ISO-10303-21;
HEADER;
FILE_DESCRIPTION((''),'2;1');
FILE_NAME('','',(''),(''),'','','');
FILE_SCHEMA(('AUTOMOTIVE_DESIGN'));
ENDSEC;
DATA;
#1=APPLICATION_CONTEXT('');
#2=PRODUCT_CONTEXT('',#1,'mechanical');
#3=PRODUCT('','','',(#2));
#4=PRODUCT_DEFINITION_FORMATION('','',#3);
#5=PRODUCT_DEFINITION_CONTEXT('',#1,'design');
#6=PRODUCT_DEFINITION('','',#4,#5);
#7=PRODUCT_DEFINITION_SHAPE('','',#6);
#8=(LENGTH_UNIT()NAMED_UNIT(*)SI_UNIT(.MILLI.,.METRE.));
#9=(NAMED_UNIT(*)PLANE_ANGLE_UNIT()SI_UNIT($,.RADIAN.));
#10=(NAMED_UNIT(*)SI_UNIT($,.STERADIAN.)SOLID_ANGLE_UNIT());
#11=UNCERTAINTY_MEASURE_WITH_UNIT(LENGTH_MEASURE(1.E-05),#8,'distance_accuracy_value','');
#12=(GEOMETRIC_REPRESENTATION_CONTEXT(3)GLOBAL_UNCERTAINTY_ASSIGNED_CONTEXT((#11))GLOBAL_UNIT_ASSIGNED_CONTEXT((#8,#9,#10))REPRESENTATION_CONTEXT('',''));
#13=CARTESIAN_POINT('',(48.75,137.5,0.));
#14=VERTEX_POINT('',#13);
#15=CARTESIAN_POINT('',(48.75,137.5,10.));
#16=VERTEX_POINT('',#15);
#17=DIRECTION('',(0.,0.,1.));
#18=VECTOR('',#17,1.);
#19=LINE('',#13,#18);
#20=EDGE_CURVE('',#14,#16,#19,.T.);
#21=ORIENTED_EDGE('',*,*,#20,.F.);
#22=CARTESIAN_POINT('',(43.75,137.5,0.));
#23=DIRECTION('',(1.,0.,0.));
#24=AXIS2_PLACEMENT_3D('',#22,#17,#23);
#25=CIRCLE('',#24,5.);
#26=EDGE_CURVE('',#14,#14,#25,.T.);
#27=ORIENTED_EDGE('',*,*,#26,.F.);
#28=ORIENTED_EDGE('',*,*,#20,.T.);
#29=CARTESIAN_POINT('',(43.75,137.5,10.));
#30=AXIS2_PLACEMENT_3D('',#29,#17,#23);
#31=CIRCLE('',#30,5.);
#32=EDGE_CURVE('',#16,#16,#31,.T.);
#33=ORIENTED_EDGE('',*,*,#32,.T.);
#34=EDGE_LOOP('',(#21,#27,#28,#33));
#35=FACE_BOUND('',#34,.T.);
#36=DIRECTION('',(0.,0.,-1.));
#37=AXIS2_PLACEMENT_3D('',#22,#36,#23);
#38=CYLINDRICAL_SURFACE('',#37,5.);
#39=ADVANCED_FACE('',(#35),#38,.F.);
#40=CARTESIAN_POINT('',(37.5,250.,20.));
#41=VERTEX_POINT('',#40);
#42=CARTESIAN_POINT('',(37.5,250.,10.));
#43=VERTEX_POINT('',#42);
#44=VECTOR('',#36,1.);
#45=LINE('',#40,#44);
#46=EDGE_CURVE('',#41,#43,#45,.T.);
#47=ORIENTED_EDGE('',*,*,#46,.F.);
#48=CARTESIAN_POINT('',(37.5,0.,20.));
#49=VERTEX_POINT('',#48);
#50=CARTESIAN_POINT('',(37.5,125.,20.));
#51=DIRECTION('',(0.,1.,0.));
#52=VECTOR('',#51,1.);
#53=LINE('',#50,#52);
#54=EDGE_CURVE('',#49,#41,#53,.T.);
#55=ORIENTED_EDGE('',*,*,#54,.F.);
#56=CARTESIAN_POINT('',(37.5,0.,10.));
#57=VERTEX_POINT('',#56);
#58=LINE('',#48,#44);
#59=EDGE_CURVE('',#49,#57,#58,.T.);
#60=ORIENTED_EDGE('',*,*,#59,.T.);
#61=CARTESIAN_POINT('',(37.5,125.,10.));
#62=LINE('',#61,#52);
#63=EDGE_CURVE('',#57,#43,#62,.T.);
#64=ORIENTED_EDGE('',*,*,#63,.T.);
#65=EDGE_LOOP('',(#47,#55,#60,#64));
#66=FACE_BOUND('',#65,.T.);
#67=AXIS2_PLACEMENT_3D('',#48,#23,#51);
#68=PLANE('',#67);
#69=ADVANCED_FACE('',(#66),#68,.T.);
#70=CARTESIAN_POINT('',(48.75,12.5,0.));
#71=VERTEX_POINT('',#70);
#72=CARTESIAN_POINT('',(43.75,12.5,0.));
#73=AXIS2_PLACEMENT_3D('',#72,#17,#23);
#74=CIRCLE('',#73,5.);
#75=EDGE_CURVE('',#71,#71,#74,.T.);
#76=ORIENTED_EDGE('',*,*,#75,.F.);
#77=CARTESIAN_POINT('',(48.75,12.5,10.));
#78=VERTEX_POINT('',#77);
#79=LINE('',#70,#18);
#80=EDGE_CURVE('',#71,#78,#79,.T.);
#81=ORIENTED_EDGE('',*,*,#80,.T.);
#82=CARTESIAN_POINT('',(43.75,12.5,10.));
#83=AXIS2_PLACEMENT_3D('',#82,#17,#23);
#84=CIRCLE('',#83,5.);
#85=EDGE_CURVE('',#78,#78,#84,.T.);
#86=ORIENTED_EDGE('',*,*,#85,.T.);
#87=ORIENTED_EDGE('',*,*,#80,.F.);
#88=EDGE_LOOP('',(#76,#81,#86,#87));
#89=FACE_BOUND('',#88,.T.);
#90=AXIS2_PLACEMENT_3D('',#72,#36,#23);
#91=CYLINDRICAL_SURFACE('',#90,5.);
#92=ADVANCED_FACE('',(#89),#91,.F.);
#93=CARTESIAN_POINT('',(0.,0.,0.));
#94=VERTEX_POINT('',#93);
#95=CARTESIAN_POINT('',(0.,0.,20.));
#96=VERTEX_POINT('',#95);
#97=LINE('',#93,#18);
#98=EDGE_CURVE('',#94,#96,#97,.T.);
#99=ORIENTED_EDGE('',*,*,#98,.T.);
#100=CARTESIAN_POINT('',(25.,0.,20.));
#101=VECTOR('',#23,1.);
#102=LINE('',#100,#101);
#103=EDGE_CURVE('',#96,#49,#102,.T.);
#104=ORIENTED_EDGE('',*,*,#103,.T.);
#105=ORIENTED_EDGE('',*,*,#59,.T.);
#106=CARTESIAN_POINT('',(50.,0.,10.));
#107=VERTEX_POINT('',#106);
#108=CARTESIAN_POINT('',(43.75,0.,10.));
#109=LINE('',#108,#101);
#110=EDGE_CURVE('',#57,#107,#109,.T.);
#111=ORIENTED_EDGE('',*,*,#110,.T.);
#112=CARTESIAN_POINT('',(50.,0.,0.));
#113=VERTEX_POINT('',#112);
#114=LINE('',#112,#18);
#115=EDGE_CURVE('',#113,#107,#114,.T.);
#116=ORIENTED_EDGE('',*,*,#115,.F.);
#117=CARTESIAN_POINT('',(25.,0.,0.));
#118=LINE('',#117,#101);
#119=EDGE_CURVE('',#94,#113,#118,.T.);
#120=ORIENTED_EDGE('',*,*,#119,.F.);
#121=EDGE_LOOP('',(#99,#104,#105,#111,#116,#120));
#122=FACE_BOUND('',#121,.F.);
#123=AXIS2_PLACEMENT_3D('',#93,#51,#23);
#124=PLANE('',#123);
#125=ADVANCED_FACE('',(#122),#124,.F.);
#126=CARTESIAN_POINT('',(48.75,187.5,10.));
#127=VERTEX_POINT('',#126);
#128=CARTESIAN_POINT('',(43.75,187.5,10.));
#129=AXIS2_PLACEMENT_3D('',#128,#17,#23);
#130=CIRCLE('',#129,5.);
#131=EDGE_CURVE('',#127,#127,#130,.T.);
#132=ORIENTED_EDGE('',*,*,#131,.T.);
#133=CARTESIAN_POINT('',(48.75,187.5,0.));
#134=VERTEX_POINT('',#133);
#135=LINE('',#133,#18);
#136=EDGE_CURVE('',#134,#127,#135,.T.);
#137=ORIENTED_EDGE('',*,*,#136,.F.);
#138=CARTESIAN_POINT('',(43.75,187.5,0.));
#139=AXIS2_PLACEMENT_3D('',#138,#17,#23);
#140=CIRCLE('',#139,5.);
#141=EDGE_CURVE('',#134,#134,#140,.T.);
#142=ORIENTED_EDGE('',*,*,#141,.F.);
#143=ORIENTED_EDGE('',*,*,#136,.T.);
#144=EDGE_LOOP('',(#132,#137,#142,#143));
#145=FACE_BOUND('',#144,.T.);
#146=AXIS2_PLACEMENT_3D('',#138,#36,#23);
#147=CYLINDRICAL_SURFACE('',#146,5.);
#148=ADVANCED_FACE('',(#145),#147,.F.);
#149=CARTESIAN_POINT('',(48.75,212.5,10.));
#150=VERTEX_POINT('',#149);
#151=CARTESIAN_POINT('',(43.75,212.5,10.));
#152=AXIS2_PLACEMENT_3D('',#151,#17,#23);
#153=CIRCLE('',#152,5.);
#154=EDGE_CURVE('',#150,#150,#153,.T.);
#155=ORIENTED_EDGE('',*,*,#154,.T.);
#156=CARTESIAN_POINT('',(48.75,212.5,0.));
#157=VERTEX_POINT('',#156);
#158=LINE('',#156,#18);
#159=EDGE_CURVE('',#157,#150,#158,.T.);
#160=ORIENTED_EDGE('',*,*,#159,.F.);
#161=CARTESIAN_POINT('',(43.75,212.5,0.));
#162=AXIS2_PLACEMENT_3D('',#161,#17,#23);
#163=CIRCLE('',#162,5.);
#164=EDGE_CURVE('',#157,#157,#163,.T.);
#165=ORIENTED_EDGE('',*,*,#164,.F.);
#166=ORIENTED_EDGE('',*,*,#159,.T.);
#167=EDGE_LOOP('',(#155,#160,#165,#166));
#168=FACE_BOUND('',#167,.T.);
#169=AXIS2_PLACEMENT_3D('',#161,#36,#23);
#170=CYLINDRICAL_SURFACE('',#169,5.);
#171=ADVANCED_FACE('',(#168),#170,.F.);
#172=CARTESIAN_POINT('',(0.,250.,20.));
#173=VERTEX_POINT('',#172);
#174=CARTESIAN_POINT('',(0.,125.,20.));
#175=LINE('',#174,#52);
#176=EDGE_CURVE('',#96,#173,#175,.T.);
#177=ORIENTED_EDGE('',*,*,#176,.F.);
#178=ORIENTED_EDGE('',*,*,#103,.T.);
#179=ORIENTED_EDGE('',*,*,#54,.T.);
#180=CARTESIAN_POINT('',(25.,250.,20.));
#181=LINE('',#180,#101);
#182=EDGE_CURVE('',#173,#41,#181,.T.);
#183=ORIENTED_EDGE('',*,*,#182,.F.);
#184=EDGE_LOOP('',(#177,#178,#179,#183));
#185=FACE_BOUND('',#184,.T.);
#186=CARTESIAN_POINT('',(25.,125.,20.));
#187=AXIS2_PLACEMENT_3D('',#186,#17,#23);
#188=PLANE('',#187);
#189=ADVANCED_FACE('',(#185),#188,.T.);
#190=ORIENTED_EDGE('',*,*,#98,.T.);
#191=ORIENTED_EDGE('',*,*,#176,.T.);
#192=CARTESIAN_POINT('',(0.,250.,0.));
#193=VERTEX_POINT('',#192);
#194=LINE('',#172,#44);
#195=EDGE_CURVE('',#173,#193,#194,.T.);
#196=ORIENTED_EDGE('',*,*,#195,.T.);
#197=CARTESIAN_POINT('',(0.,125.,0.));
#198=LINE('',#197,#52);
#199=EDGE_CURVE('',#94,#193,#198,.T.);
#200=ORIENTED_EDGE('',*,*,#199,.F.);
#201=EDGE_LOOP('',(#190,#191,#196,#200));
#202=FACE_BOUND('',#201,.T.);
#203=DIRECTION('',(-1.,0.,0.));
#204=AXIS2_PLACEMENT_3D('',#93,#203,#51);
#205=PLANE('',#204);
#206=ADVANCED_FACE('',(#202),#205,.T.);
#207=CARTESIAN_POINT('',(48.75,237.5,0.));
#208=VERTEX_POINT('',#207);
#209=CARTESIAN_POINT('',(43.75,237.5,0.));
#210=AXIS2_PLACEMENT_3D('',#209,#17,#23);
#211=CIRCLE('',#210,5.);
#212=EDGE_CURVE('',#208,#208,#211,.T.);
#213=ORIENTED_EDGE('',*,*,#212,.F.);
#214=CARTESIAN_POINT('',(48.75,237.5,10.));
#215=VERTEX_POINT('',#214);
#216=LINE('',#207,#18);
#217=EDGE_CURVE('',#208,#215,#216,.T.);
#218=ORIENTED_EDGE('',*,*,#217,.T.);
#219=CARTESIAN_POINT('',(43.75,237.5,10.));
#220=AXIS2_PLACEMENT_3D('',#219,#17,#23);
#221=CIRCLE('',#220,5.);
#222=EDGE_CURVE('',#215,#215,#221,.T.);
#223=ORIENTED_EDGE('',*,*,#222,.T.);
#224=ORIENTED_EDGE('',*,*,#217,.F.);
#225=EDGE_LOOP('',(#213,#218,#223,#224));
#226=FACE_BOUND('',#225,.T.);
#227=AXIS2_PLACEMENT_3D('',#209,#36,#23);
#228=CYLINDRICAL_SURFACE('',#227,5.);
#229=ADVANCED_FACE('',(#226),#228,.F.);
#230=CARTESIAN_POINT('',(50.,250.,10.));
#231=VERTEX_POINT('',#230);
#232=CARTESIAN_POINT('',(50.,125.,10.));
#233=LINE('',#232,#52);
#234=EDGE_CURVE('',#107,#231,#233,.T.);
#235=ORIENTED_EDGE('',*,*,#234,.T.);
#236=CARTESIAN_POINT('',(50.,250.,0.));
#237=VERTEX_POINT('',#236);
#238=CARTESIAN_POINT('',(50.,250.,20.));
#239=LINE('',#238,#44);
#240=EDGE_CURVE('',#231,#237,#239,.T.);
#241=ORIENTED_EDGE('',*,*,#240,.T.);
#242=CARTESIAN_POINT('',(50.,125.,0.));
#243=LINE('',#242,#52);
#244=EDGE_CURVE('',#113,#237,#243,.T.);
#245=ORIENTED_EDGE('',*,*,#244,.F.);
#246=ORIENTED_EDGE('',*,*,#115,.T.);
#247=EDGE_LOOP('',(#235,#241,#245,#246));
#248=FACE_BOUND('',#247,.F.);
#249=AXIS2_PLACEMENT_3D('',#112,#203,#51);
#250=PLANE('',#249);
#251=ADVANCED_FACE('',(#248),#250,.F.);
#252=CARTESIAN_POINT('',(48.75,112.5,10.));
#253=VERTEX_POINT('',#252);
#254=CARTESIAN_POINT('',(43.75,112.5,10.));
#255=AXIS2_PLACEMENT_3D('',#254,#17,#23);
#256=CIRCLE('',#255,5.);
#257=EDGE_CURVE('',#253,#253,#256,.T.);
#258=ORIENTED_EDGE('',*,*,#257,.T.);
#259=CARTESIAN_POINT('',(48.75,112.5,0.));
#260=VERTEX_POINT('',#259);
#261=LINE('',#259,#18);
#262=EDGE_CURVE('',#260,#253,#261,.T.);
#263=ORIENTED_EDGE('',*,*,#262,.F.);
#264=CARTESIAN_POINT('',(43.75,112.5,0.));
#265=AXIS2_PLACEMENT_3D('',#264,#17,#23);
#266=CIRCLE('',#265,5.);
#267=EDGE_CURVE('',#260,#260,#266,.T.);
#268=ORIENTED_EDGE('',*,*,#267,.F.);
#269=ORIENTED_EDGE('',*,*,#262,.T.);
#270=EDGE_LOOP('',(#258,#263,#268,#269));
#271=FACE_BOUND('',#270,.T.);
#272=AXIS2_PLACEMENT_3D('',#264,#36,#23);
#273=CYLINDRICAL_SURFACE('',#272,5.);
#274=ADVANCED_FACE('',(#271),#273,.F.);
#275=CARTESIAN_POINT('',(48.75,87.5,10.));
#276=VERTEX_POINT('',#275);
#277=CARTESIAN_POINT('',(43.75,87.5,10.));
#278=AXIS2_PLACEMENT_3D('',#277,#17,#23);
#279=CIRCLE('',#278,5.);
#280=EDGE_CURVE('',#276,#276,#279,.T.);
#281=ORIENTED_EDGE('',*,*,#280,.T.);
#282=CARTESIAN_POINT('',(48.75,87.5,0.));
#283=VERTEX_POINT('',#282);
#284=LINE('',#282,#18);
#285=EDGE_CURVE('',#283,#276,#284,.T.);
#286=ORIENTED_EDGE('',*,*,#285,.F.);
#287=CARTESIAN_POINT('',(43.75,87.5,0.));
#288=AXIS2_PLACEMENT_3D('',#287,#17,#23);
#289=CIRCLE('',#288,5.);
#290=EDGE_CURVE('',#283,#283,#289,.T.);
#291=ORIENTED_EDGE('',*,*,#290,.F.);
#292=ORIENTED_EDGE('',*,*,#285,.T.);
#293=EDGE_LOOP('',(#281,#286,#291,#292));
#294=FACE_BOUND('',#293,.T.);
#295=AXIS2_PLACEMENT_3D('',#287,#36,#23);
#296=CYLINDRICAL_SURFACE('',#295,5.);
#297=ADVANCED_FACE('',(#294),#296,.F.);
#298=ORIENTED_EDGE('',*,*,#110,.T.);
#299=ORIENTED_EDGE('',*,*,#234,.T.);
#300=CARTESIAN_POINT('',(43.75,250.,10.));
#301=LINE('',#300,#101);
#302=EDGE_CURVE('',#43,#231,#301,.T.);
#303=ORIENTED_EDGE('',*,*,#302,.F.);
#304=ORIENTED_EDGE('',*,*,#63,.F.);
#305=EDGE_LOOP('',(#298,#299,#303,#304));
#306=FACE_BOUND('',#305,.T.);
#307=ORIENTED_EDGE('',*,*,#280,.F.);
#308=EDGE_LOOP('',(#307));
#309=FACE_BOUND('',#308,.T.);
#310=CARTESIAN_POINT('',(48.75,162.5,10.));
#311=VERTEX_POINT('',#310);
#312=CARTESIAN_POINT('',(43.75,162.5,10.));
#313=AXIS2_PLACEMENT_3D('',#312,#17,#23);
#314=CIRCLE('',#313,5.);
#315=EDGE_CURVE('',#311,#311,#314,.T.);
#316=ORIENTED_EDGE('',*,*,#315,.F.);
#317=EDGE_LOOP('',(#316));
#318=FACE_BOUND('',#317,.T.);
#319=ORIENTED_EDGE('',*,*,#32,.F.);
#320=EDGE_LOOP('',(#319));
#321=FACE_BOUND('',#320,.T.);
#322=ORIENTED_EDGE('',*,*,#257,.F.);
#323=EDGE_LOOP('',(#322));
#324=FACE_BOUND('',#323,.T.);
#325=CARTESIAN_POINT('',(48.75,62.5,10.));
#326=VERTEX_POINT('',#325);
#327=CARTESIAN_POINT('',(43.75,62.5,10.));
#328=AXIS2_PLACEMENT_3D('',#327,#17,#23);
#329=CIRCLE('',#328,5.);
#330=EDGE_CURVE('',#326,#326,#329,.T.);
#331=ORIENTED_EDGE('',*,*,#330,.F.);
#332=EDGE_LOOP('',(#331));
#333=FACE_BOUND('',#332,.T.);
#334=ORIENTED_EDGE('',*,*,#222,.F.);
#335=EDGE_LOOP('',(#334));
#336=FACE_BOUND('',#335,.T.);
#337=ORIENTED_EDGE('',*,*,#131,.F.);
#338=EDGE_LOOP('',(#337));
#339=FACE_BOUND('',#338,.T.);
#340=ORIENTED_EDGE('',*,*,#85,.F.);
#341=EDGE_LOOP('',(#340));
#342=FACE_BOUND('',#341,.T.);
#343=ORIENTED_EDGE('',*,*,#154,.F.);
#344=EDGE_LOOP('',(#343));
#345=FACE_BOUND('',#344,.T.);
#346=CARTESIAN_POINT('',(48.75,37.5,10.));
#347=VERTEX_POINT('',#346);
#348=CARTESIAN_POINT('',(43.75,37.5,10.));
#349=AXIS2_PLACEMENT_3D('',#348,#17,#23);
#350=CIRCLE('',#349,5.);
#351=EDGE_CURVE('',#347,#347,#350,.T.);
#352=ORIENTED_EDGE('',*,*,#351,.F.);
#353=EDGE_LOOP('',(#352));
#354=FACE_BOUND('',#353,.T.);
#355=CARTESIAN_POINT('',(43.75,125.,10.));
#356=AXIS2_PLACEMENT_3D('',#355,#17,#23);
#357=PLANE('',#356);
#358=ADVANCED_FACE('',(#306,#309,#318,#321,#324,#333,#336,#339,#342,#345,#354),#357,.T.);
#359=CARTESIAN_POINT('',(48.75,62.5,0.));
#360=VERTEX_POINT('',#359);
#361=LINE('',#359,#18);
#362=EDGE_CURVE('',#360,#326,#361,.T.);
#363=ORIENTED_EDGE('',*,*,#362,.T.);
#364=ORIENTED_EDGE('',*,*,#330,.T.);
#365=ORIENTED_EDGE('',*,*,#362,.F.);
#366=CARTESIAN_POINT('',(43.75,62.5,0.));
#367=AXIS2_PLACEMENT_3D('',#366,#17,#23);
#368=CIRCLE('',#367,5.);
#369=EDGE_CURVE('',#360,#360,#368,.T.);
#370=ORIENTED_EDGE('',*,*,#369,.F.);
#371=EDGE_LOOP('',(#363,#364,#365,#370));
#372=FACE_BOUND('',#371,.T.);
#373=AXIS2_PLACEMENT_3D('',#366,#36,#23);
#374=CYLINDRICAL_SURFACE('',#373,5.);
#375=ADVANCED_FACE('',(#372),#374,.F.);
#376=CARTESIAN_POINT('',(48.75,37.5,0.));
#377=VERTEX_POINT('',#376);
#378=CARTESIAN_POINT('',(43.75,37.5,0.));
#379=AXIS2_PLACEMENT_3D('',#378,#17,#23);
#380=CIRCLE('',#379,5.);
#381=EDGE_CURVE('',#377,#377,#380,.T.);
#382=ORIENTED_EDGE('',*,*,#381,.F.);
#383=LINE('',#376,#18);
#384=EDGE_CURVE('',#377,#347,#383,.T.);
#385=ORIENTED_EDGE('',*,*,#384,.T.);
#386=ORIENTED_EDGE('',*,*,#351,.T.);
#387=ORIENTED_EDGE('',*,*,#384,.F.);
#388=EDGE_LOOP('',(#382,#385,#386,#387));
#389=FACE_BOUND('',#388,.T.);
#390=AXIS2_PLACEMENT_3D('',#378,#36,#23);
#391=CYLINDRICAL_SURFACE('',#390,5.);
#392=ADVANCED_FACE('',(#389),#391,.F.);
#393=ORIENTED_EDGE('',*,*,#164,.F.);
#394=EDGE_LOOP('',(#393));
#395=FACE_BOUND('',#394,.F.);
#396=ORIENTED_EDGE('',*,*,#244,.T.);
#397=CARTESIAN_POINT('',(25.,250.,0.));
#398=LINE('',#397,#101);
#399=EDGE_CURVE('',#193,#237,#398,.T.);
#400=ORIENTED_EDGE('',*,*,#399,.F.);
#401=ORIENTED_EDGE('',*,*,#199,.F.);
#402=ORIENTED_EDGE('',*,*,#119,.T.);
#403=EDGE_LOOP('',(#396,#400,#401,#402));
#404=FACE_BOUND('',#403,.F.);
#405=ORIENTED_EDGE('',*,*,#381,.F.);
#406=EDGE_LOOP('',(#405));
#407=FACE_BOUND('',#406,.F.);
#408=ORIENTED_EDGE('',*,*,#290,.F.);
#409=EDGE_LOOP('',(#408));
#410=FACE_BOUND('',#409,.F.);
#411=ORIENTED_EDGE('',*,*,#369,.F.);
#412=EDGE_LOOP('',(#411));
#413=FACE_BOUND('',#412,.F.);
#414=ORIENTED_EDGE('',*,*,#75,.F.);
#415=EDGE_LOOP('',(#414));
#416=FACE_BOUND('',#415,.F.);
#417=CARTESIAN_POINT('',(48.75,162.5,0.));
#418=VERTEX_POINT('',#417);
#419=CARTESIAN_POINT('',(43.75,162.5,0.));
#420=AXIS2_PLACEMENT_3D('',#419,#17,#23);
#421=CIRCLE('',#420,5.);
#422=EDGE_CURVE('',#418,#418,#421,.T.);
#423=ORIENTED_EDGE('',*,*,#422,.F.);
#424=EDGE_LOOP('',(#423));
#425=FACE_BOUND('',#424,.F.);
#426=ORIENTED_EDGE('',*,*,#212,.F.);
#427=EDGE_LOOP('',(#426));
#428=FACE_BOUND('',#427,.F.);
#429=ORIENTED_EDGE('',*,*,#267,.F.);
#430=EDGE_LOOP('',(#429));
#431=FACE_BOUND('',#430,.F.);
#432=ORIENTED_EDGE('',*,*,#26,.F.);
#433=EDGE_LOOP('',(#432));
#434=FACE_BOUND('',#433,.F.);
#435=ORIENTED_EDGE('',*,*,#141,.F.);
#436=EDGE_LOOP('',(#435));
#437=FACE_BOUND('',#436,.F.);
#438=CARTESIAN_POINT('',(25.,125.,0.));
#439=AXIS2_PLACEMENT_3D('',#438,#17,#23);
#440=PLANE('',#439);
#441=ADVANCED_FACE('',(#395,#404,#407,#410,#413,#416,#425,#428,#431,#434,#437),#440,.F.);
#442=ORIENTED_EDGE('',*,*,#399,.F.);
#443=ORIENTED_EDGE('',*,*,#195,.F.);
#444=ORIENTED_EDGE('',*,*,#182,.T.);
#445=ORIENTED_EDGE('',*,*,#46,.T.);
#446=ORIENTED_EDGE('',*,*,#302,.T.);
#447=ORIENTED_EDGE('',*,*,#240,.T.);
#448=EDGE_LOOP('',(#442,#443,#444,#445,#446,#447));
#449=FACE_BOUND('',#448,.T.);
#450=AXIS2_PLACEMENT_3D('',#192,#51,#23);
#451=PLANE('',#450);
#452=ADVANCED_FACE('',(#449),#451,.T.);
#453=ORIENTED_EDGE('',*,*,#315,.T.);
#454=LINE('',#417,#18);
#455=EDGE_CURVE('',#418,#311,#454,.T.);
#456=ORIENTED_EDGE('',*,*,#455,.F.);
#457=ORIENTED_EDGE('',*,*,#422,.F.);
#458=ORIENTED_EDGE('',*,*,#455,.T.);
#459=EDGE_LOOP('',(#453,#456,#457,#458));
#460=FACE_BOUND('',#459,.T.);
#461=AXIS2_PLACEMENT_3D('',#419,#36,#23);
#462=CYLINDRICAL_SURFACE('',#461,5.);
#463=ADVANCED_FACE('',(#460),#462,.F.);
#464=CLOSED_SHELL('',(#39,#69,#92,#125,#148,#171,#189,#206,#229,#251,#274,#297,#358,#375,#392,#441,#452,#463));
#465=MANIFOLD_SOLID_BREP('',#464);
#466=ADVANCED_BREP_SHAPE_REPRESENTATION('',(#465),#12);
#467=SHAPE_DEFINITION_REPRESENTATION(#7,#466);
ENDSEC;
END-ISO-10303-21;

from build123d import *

# Parameters (mm, degrees)
SKETCH1_W           = 50
SKETCH1_H           = 250
BOSS_EXTRUDE2_DEPTH = 20
SKETCH1_4_W         = 50
SKETCH1_4_H         = 250
BOSS_EXTRUDE3_DEPTH = 10
SKETCH1_8_R         = 5
CUT_EXTRUDE7_DEPTH  = 20
CUT_EXTRUDE8_START  = -10
SKETCH4_W           = 12.5
SKETCH4_H           = 250
SKETCH4_R           = 5
CUT_EXTRUDE8_DEPTH  = 10


with BuildPart() as part:
    # Sketch1 → Boss-Extrude2 (new body)
    with BuildSketch(Plane.XY):
        with Locations((25, 125)):
            Rectangle(SKETCH1_W, SKETCH1_H)
    extrude(amount=BOSS_EXTRUDE2_DEPTH)

    # Sketch1_4 → Boss-Extrude3 (add)
    with BuildSketch(Plane.XY):
        with Locations((25, 125)):
            Rectangle(SKETCH1_4_W, SKETCH1_4_H)
    extrude(amount=BOSS_EXTRUDE3_DEPTH)

    # Sketch1_8 → Cut-Extrude7 (cut)
    with BuildSketch(Plane.XY):
        with Locations((43.75, 237.5)):
            Circle(SKETCH1_8_R)
        with Locations((43.75, 212.5)):
            Circle(SKETCH1_8_R)
        with Locations((43.75, 187.5)):
            Circle(SKETCH1_8_R)
        with Locations((43.75, 162.5)):
            Circle(SKETCH1_8_R)
        with Locations((43.75, 137.5)):
            Circle(SKETCH1_8_R)
        with Locations((43.75, 112.5)):
            Circle(SKETCH1_8_R)
        with Locations((43.75, 87.5)):
            Circle(SKETCH1_8_R)
        with Locations((43.75, 62.5)):
            Circle(SKETCH1_8_R)
        with Locations((43.75, 37.5)):
            Circle(SKETCH1_8_R)
        with Locations((43.75, 12.5)):
            Circle(SKETCH1_8_R)
    extrude(amount=CUT_EXTRUDE7_DEPTH, mode=Mode.SUBTRACT)

    # Sketch4 → Cut-Extrude8 (cut)
    with BuildSketch(Plane.XY.offset(20).offset(CUT_EXTRUDE8_START)):
        with Locations((43.75, 125)):
            Rectangle(SKETCH4_W, SKETCH4_H)
        with Locations((43.75, 12.5)):
            Circle(SKETCH4_R, mode=Mode.SUBTRACT)
        with Locations((43.75, 37.5)):
            Circle(SKETCH4_R, mode=Mode.SUBTRACT)
        with Locations((43.75, 62.5)):
            Circle(SKETCH4_R, mode=Mode.SUBTRACT)
        with Locations((43.75, 87.5)):
            Circle(SKETCH4_R, mode=Mode.SUBTRACT)
        with Locations((43.75, 112.5)):
            Circle(SKETCH4_R, mode=Mode.SUBTRACT)
        with Locations((43.75, 137.5)):
            Circle(SKETCH4_R, mode=Mode.SUBTRACT)
        with Locations((43.75, 162.5)):
            Circle(SKETCH4_R, mode=Mode.SUBTRACT)
        with Locations((43.75, 187.5)):
            Circle(SKETCH4_R, mode=Mode.SUBTRACT)
        with Locations((43.75, 212.5)):
            Circle(SKETCH4_R, mode=Mode.SUBTRACT)
        with Locations((43.75, 237.5)):
            Circle(SKETCH4_R, mode=Mode.SUBTRACT)
    extrude(amount=CUT_EXTRUDE8_DEPTH, mode=Mode.SUBTRACT)


solid = part.part
